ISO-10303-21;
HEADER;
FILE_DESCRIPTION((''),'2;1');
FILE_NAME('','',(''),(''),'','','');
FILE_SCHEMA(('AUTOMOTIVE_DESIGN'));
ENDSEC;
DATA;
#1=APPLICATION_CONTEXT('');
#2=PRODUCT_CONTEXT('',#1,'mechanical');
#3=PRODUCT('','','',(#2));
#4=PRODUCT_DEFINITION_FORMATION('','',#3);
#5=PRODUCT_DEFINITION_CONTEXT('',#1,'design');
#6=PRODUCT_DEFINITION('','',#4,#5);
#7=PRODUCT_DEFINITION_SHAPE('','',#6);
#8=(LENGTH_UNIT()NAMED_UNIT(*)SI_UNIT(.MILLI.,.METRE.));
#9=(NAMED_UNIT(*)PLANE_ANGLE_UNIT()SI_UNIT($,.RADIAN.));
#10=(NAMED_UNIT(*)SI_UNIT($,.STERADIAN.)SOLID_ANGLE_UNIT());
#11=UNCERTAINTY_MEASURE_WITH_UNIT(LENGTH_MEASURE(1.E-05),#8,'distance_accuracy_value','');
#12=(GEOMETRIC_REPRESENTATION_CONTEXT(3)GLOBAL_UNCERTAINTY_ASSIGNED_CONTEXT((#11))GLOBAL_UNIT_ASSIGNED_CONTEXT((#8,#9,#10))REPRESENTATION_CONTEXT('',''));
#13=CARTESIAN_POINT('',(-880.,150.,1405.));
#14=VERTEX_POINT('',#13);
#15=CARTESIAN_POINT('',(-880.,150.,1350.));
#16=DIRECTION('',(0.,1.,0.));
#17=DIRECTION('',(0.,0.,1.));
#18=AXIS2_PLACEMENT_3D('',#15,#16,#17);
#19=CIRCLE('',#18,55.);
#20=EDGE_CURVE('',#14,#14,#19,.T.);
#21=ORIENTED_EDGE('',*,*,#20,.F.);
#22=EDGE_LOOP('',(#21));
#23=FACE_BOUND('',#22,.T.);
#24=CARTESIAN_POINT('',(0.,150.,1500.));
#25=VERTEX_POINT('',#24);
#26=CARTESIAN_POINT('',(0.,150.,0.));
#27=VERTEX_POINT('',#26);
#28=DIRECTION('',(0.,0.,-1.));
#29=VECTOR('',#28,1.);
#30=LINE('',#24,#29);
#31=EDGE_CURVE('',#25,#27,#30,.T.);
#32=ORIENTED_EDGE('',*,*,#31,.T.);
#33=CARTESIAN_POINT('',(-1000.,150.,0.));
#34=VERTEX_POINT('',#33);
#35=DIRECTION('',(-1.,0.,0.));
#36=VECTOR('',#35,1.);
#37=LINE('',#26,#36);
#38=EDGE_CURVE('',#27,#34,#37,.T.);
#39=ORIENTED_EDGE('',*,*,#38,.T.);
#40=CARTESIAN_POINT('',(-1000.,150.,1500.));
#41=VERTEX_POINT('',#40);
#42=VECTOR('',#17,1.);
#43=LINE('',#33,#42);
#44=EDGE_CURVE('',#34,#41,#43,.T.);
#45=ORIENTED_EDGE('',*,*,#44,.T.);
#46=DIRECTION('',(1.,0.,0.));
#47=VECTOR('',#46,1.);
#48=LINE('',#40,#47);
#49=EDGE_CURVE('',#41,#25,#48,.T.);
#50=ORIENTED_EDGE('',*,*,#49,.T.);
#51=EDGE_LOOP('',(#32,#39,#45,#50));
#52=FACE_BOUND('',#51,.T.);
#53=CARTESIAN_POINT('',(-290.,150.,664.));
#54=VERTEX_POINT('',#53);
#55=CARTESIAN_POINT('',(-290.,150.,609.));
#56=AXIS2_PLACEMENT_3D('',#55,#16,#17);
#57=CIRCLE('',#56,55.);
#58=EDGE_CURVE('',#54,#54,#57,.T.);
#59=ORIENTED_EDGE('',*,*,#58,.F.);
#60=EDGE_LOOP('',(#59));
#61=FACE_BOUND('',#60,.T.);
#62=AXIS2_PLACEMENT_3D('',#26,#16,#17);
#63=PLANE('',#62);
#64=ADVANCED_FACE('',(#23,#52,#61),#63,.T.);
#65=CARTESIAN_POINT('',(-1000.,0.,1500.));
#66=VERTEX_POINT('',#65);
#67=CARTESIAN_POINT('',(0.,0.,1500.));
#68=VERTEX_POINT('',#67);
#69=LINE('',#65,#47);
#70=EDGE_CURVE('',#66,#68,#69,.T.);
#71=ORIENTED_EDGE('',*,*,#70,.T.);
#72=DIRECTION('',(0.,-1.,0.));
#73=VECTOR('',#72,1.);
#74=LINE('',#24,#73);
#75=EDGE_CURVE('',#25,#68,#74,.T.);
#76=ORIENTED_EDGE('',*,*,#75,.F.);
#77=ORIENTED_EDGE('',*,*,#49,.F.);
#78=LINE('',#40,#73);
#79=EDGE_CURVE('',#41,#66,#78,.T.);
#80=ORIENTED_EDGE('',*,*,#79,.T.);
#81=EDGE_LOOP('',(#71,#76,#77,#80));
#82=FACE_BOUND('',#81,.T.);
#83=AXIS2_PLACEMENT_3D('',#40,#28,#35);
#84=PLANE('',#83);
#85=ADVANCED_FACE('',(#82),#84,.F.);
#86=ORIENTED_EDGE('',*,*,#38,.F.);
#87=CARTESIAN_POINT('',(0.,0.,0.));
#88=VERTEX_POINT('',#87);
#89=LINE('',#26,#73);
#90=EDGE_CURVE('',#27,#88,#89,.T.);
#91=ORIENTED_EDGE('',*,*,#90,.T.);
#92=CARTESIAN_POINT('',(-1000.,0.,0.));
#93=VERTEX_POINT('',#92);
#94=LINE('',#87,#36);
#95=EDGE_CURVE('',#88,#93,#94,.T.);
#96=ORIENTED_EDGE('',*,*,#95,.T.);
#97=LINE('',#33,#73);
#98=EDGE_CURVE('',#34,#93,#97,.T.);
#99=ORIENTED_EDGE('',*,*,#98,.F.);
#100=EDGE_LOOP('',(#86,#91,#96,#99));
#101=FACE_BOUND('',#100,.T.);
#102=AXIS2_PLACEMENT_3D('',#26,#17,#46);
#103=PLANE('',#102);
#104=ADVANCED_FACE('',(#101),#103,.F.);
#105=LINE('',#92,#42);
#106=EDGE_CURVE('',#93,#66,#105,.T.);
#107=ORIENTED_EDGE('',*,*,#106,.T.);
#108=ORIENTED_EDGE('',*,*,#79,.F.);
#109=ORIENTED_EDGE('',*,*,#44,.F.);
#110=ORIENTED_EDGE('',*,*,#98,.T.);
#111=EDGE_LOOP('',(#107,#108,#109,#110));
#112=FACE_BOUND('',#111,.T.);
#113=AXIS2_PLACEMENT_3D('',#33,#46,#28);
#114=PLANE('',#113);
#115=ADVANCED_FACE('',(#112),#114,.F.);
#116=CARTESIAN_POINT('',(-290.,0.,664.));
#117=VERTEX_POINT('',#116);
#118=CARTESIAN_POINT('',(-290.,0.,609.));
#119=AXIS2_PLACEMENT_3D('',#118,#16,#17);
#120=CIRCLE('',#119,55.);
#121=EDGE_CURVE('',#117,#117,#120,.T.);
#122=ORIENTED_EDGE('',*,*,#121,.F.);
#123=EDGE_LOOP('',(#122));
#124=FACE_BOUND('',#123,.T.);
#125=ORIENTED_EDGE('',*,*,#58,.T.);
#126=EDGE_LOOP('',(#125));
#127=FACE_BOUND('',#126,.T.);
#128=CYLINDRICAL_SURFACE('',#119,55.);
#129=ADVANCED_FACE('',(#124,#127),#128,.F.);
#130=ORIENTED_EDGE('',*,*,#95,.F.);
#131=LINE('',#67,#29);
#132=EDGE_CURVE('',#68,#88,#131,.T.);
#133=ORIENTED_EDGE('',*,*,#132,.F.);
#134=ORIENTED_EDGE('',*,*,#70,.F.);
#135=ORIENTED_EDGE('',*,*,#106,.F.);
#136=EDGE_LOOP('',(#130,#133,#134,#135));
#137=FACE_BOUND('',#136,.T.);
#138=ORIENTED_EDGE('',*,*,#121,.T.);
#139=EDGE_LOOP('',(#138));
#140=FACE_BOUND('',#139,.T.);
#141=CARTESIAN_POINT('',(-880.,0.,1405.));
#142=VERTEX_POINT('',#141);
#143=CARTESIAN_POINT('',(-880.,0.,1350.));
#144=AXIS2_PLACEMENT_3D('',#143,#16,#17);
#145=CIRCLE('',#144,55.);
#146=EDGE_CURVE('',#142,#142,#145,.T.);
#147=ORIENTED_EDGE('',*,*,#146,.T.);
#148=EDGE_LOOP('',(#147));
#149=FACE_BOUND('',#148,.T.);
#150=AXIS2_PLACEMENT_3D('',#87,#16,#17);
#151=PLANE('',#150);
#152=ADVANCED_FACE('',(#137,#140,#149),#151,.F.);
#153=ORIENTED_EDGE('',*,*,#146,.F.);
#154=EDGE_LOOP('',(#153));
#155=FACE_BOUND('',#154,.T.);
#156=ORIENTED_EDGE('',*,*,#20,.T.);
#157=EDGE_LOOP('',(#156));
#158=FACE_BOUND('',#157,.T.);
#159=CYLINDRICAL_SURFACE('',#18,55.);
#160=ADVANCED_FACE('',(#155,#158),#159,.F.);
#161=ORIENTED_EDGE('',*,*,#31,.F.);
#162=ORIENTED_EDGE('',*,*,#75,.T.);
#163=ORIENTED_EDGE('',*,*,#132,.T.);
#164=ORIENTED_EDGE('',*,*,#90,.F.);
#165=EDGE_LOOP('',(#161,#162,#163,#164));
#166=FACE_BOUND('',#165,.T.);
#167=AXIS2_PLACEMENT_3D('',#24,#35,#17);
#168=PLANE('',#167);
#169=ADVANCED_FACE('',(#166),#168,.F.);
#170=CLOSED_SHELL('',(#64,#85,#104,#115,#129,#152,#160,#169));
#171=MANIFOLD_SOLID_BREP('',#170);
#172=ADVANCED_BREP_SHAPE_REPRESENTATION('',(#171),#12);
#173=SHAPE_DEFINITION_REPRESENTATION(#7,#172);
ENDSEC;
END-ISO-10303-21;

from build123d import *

# Parameters (mm, degrees)
SKETCH1_W  = 1000
SKETCH1_H  = 1500
BASE_DEPTH = 150
SKETCH2_R  = 55
AIR_DEPTH  = 1810.005251513
AIR2_D     = 110


with BuildPart() as part:
    # Sketch1 → base (new body)
    with BuildSketch(Plane(origin=(0, 0, 0), x_dir=(-1, 0, 0), z_dir=(0, 1, 0))):
        with Locations((500, 750)):
            Rectangle(SKETCH1_W, SKETCH1_H)
    extrude(amount=BASE_DEPTH)

    # Sketch2 → air (cut, through all)
    with BuildSketch(Plane(origin=(0, 150, 0), x_dir=(-1, 0, 0), z_dir=(0, 1, 0))):
        with Locations(Location((290, 609, 0), (0, 0, 90))):
            Circle(SKETCH2_R)
    extrude(amount=-AIR_DEPTH, mode=Mode.SUBTRACT)

    # air2 (through all)
    with Locations(Plane(origin=(0, 150, 0), x_dir=(1, 0, 0), z_dir=(0, 1, 0))):
        with Locations((-880, -1350)):
            Hole(AIR2_D / 2)


solid = part.part
